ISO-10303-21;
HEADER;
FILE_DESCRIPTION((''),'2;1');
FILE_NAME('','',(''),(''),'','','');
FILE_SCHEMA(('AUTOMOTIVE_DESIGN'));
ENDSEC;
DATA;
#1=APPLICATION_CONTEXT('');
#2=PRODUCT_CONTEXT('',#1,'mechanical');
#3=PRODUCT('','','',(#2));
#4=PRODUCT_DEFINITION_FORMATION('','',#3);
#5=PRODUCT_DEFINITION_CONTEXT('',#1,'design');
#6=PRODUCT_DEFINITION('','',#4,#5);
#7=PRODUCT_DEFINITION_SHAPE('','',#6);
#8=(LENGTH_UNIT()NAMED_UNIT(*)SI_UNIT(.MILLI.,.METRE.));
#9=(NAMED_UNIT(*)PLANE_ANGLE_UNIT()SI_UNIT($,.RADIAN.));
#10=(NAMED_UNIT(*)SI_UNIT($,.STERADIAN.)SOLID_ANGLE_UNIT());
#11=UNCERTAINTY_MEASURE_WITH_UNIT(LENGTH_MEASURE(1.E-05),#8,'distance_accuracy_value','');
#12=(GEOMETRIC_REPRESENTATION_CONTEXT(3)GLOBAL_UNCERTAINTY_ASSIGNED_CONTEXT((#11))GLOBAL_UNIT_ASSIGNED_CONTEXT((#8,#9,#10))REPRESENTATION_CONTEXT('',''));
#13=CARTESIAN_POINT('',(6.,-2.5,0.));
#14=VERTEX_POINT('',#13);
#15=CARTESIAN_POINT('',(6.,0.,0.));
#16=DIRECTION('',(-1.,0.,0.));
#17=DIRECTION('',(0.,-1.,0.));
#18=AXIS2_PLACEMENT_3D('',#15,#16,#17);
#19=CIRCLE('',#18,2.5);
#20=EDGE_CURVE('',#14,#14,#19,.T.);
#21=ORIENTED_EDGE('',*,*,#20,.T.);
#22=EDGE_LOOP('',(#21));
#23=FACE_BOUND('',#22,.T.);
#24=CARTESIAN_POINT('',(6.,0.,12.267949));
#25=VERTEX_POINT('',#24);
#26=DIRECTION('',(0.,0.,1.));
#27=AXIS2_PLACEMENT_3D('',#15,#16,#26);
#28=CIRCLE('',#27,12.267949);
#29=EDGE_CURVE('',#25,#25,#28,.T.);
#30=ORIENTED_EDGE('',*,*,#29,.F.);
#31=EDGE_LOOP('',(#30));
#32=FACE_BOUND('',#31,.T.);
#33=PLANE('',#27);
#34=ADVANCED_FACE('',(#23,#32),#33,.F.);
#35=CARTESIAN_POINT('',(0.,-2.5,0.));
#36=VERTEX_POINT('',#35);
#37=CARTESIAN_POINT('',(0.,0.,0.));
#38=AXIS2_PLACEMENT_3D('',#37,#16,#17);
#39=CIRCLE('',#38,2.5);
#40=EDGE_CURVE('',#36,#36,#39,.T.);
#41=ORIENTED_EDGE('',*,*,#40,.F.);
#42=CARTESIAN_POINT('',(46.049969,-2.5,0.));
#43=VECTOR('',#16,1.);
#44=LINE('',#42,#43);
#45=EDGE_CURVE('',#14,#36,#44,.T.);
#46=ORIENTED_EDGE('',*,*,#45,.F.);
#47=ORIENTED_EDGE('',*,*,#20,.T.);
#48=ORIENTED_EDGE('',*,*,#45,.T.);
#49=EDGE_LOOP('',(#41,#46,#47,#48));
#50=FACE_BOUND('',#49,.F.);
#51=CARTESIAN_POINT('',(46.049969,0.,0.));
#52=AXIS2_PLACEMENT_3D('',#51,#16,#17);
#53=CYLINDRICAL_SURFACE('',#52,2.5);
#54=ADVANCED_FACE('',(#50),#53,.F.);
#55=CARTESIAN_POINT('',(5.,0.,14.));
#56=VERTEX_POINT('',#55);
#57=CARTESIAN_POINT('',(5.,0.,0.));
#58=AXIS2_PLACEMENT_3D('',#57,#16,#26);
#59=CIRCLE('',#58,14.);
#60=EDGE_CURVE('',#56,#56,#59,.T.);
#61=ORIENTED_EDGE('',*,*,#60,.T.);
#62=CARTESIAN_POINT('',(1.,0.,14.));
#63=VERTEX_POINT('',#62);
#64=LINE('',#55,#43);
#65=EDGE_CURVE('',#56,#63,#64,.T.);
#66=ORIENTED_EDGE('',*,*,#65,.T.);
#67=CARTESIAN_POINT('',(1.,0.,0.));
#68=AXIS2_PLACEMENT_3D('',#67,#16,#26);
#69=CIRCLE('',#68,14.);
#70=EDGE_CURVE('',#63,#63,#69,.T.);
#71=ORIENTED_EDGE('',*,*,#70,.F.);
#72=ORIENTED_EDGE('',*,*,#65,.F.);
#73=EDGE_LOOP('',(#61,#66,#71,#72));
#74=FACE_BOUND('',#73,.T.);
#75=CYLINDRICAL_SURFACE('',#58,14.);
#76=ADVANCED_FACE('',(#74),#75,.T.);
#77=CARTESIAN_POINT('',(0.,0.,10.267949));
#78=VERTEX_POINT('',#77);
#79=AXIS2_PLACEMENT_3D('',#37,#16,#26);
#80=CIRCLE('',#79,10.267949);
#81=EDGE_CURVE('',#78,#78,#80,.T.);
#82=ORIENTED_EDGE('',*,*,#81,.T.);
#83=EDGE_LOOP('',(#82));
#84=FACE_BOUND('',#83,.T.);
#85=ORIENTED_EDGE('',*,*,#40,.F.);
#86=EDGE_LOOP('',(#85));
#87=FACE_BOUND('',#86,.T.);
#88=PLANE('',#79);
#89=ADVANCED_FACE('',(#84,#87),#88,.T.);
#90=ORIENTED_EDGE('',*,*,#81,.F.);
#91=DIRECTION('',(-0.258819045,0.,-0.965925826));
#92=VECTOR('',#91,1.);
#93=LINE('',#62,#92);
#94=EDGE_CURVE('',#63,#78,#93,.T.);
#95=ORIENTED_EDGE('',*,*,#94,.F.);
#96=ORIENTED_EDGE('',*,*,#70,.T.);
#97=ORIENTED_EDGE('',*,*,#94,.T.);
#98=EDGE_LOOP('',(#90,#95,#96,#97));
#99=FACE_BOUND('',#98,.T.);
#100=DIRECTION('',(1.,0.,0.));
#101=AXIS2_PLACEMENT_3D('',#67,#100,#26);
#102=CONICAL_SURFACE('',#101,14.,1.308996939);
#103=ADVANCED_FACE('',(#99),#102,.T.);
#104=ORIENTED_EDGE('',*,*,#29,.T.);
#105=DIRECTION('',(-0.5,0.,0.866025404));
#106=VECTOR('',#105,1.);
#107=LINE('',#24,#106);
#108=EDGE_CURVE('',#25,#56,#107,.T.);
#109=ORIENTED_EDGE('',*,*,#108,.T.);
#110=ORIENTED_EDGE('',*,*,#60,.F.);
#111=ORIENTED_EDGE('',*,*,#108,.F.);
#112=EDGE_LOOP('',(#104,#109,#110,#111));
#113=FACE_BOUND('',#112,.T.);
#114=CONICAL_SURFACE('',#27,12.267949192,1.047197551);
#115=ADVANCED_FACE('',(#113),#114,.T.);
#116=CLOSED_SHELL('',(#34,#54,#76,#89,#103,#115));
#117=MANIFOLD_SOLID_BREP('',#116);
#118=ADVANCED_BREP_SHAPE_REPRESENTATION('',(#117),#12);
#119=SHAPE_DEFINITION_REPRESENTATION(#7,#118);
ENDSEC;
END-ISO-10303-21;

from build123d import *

# Parameters (mm, degrees)
F3_D = 5


with BuildPart() as f1:
    # F0 (on Front) → F1 (revolve)
    with BuildSketch(Plane.XZ):
        Polygon((0, 10.2679491924), (0, 0), (6, 0), (6, 12.2679491924), (5, 14), (1, 14), align=None)
    revolve(axis=Axis((3, 0, 0), (-1, 0, 0)))

    # F3 (through all)
    with Locations(Plane.YZ.offset(6)):
        with Locations((0, 0)):
            Hole(F3_D / 2)


solid = f1.part
